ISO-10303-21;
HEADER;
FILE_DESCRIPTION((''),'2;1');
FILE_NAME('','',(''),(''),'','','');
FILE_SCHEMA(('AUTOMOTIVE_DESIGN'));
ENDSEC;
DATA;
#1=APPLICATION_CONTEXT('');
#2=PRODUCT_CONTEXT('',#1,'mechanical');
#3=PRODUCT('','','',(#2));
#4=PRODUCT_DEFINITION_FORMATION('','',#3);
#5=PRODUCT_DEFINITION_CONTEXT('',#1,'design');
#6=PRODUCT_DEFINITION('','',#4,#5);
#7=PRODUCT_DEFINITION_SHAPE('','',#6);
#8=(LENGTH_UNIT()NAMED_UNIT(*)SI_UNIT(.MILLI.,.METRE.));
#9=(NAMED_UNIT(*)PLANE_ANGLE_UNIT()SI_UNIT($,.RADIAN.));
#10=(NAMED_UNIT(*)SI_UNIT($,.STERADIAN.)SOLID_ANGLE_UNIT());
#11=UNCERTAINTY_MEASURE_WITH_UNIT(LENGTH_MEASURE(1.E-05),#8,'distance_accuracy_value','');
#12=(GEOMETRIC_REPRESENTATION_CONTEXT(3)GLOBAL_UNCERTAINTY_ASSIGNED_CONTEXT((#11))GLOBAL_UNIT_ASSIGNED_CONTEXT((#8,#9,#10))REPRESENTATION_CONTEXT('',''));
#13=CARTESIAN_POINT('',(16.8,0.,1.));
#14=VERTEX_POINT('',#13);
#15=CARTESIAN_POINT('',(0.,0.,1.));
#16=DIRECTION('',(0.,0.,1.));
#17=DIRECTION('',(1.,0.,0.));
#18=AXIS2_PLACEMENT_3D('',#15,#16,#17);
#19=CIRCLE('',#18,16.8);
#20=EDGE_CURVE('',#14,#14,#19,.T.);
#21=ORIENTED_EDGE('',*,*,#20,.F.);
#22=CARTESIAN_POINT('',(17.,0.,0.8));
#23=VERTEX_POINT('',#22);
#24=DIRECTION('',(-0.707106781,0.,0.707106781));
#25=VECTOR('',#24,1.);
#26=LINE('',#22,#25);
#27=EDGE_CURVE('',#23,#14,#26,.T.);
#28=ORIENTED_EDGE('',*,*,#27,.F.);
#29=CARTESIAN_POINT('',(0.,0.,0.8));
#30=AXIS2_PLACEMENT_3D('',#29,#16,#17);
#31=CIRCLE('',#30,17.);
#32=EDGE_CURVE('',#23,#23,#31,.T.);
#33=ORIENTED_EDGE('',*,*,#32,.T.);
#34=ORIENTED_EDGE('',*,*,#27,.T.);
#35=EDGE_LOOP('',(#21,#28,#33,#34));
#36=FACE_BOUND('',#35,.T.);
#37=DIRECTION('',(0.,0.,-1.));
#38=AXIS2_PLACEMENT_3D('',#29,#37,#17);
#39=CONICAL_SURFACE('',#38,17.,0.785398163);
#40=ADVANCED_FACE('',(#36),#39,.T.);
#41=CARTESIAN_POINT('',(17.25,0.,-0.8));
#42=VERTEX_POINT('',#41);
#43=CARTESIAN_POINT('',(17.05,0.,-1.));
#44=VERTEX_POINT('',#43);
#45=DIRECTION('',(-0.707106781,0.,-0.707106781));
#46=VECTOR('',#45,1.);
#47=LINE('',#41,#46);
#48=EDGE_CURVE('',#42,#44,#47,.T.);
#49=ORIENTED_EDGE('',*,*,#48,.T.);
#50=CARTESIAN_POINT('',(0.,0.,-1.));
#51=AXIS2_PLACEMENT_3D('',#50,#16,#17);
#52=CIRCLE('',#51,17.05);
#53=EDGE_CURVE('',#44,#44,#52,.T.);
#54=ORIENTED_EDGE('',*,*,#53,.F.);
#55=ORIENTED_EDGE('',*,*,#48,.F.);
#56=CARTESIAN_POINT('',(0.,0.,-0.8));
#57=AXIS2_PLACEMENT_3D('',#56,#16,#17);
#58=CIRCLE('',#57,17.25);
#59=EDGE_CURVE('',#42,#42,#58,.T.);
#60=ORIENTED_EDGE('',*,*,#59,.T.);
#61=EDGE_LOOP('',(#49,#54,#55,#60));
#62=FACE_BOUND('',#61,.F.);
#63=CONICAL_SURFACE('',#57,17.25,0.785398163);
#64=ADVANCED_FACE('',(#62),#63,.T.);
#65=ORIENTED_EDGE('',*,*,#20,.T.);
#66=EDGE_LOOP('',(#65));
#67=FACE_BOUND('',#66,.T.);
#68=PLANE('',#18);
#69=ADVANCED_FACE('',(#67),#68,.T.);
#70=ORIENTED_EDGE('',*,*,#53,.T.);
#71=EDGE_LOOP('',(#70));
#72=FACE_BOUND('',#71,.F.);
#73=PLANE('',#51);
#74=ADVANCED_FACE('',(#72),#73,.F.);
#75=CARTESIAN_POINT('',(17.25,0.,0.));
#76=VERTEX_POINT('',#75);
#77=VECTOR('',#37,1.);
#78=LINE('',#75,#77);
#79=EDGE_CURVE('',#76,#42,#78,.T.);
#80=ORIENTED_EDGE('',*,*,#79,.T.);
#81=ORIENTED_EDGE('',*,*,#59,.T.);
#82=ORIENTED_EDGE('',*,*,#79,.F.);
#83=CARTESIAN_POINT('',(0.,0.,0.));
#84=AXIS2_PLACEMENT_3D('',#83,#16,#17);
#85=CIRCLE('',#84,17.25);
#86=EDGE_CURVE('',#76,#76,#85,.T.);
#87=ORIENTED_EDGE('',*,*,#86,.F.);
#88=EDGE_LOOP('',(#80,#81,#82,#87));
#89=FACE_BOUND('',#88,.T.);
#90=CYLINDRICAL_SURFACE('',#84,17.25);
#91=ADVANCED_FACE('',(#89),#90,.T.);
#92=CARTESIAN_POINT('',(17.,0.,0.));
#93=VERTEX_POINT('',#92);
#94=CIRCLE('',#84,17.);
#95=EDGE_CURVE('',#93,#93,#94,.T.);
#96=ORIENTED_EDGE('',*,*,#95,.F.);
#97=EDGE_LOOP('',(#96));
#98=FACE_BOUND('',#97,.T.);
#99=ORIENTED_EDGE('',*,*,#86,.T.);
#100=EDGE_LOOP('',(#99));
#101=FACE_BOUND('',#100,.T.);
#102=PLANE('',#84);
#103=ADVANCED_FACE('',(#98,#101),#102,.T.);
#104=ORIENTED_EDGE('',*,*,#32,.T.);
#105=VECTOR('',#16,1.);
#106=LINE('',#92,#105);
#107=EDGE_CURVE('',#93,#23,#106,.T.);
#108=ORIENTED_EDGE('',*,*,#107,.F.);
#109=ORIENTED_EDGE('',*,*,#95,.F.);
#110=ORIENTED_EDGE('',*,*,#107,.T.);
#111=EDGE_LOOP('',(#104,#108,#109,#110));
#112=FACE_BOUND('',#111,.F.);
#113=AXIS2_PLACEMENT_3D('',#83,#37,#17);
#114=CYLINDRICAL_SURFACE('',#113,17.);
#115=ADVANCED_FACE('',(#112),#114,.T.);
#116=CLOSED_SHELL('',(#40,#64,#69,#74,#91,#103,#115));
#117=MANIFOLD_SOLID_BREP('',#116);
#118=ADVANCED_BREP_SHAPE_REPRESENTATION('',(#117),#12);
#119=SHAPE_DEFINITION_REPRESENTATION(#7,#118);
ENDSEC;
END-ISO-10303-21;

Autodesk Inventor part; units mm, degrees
ref_plane "YZ Plane" through (0, 0, 0) normal (1, 0, 0) x (0, 1, 0)
ref_plane "XZ Plane" through (0, 0, 0) normal (0, 1, 0) x (-1, 0, 0)
ref_plane "XY Plane" through (0, 0, 0) normal (0, 0, 1) x (1, 0, 0)
sketch "Sketch1" plane through (0, 0, 0) normal (0, 0, 1) x (1, 0, 0)
  circle A0 centre (0, 0) radius 17
  circle A1 centre (0, 0) radius 17.25
  dimension "d0" = 34
  dimension "d1" = 34.5
extrude "Extrusion1" add sketch "Sketch1" along normal blind 1 contours A0
extrude "Extrusion2" add sketch "Sketch1" against normal blind 1 contours A0 | A1
chamfer "Chamfer1" distance 0.2 angle 45 2 edges at (-17, 0, 1) (-17.25, 0, -1)
properties part number "HeatExchangePistonHead"
